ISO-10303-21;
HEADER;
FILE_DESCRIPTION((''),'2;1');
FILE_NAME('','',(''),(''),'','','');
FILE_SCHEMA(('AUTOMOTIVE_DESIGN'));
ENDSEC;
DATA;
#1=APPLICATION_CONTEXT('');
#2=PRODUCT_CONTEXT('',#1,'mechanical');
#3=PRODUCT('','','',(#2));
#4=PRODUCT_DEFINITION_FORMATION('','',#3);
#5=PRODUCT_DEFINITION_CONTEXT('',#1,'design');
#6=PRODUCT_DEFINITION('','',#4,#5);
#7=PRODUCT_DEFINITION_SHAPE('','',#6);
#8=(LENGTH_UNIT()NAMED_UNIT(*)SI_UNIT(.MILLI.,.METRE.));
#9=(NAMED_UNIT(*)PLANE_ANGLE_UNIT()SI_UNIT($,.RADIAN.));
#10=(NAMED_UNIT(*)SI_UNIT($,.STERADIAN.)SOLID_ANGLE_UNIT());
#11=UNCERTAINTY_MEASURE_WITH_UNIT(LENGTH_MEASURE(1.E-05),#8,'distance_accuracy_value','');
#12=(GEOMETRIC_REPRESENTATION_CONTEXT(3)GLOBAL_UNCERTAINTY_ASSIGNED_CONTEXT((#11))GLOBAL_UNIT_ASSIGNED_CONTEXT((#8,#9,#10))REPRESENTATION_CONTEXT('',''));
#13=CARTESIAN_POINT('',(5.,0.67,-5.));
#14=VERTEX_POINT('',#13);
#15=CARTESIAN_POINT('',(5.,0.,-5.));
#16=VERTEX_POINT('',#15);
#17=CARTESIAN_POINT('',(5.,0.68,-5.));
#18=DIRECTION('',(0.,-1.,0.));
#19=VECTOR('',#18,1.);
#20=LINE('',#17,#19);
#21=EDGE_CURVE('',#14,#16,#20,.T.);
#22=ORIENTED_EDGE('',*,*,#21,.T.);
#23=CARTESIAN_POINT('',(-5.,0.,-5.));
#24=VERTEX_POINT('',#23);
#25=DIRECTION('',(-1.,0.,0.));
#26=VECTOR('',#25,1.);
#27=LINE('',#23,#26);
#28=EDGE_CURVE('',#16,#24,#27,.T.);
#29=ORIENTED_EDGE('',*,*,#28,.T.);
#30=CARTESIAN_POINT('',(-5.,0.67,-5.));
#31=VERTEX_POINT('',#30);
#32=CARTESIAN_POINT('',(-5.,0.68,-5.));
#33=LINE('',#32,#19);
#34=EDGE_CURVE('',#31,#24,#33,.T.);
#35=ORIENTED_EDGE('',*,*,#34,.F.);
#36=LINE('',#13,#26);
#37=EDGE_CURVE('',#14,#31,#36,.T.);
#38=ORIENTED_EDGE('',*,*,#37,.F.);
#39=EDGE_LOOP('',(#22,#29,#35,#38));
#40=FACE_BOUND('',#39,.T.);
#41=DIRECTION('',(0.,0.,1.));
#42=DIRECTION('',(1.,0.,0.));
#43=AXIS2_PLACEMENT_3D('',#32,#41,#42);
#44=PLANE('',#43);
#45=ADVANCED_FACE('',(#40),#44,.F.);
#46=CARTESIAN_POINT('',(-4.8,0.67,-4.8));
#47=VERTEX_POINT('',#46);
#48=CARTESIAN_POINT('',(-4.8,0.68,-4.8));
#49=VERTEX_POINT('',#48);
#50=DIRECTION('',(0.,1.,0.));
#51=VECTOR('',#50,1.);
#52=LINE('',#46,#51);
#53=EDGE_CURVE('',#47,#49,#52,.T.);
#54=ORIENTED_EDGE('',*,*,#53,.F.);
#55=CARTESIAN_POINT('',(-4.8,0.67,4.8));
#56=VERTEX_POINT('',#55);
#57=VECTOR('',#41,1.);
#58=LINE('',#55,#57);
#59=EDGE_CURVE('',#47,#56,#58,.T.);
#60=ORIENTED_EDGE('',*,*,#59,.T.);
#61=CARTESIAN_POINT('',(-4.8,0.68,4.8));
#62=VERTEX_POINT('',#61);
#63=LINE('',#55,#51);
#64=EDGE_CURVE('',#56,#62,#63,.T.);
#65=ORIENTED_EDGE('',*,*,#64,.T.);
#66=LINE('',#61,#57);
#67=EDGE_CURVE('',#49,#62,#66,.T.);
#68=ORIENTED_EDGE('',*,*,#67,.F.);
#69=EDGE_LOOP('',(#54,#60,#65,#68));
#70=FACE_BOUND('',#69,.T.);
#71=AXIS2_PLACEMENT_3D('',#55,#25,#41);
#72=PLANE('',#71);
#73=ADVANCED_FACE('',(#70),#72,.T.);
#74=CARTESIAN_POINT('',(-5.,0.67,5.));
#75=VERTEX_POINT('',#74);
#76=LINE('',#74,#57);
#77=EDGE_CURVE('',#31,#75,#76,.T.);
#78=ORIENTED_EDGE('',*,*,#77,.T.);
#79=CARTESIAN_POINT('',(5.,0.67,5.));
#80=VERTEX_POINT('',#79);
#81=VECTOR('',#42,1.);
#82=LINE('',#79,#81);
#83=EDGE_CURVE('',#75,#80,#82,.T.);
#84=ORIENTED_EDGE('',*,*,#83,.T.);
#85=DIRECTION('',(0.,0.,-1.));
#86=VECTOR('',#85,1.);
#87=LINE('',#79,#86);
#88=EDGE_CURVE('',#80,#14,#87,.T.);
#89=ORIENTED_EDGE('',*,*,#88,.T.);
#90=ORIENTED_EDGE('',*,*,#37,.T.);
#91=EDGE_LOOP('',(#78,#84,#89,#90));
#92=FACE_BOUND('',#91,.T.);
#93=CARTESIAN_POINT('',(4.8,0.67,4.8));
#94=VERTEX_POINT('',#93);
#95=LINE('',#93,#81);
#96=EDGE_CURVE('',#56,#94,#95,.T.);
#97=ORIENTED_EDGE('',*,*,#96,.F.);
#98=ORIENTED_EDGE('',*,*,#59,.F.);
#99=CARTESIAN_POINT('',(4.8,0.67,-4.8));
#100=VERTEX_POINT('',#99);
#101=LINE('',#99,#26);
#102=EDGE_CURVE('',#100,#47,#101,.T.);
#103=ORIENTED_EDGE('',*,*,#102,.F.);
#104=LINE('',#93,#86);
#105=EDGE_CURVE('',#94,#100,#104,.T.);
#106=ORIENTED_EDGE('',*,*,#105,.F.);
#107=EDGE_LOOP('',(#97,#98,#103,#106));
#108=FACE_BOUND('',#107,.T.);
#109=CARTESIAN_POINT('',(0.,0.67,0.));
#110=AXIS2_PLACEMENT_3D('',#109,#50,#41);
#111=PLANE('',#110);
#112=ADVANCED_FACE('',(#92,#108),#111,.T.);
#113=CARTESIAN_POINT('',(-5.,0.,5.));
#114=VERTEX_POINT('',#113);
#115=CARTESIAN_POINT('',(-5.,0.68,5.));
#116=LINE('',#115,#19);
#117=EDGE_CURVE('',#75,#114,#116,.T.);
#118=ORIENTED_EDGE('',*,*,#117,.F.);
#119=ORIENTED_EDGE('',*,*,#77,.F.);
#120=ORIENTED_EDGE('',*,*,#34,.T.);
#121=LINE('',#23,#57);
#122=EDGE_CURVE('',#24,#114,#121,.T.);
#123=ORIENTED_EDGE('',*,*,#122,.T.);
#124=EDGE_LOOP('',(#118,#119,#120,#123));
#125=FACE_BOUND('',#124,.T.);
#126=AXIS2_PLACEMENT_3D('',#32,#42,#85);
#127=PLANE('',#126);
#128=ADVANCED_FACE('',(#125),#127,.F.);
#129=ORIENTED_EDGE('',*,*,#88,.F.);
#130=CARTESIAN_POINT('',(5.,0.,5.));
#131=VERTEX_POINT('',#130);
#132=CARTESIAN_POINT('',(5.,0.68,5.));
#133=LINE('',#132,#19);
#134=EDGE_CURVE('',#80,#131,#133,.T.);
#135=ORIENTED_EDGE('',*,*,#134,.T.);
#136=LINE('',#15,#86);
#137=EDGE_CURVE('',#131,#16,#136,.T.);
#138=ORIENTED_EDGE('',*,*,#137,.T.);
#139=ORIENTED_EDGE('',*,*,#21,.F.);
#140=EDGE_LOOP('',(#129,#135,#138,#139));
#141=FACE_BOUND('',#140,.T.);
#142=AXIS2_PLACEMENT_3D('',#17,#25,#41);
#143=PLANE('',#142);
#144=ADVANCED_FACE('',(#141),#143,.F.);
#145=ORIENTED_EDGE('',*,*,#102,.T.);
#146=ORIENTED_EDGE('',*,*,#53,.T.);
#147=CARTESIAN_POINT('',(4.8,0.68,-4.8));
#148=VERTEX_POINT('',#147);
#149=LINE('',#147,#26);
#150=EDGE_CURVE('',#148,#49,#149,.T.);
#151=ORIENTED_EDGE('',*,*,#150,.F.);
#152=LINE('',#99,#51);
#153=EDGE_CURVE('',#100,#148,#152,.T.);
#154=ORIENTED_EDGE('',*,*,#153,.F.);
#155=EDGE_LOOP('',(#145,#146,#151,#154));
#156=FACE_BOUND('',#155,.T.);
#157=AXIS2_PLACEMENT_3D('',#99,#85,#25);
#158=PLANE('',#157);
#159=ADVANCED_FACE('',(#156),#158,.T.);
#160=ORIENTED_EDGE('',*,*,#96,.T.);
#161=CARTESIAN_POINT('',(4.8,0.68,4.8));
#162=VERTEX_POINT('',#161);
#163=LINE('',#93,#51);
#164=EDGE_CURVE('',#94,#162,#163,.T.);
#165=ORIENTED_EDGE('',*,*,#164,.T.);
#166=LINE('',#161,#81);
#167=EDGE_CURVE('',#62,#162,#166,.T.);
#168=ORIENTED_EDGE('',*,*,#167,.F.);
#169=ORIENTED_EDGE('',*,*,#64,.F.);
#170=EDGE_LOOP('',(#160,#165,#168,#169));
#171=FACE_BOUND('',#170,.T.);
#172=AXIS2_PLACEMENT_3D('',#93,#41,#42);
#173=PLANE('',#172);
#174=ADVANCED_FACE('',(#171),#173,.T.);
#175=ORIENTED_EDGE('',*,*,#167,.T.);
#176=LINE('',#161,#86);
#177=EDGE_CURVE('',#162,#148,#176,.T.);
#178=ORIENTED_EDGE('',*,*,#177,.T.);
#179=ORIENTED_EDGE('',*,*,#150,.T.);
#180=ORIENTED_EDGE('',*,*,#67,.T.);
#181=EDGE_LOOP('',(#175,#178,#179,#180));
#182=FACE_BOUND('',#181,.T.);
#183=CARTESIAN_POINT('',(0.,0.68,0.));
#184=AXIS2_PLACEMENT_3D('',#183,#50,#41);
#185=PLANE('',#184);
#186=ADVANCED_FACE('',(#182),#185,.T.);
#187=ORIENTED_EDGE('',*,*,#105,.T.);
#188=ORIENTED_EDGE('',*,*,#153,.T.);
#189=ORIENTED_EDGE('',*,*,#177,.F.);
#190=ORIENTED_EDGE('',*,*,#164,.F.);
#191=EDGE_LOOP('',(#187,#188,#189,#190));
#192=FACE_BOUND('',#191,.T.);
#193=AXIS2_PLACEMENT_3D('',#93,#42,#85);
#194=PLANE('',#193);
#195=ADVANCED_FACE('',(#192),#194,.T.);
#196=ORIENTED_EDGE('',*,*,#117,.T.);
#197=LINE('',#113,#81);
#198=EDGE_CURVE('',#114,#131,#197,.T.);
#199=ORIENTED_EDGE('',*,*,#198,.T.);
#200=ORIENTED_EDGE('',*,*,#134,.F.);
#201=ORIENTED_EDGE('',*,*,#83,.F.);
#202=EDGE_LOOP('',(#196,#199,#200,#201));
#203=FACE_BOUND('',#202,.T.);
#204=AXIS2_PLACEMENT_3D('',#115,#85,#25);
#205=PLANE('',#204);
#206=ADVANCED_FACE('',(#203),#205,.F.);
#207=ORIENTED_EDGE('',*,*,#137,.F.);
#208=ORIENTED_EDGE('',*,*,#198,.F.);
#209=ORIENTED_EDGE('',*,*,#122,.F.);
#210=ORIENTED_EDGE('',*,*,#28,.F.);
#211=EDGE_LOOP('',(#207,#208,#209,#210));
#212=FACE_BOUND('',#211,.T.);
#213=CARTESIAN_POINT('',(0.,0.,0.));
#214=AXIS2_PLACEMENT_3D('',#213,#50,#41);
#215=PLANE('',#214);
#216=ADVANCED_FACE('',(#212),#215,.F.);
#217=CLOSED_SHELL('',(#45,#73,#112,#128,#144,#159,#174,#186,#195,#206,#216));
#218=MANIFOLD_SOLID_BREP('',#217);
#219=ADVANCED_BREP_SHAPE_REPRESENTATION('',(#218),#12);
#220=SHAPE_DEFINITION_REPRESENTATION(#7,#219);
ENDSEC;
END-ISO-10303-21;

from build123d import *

# Parameters (mm, degrees)
SKETCH1_W           = 10
SKETCH1_H           = 10
BOSS_EXTRUDE1_DEPTH = 0.68
SKETCH2_W           = 10
SKETCH2_H           = 10
SKETCH2_W_2         = 9.6
SKETCH2_H_2         = 9.6
CUT_EXTRUDE1_DEPTH  = 0.01


with BuildPart() as part:
    # Sketch1 → Boss-Extrude1 (new body)
    with BuildSketch(Plane(origin=(0, 0, 0), x_dir=(1, 0, 0), z_dir=(0, 1, 0))):
        Rectangle(SKETCH1_W, SKETCH1_H)
    extrude(amount=BOSS_EXTRUDE1_DEPTH)

    # Sketch2 → Cut-Extrude1 (cut)
    with BuildSketch(Plane(origin=(0, 0.68, 0), x_dir=(1, 0, 0), z_dir=(0, 1, 0))):
        Rectangle(SKETCH2_W, SKETCH2_H)
        Rectangle(SKETCH2_W_2, SKETCH2_H_2, mode=Mode.SUBTRACT)
    extrude(amount=-CUT_EXTRUDE1_DEPTH, mode=Mode.SUBTRACT)


solid = part.part
